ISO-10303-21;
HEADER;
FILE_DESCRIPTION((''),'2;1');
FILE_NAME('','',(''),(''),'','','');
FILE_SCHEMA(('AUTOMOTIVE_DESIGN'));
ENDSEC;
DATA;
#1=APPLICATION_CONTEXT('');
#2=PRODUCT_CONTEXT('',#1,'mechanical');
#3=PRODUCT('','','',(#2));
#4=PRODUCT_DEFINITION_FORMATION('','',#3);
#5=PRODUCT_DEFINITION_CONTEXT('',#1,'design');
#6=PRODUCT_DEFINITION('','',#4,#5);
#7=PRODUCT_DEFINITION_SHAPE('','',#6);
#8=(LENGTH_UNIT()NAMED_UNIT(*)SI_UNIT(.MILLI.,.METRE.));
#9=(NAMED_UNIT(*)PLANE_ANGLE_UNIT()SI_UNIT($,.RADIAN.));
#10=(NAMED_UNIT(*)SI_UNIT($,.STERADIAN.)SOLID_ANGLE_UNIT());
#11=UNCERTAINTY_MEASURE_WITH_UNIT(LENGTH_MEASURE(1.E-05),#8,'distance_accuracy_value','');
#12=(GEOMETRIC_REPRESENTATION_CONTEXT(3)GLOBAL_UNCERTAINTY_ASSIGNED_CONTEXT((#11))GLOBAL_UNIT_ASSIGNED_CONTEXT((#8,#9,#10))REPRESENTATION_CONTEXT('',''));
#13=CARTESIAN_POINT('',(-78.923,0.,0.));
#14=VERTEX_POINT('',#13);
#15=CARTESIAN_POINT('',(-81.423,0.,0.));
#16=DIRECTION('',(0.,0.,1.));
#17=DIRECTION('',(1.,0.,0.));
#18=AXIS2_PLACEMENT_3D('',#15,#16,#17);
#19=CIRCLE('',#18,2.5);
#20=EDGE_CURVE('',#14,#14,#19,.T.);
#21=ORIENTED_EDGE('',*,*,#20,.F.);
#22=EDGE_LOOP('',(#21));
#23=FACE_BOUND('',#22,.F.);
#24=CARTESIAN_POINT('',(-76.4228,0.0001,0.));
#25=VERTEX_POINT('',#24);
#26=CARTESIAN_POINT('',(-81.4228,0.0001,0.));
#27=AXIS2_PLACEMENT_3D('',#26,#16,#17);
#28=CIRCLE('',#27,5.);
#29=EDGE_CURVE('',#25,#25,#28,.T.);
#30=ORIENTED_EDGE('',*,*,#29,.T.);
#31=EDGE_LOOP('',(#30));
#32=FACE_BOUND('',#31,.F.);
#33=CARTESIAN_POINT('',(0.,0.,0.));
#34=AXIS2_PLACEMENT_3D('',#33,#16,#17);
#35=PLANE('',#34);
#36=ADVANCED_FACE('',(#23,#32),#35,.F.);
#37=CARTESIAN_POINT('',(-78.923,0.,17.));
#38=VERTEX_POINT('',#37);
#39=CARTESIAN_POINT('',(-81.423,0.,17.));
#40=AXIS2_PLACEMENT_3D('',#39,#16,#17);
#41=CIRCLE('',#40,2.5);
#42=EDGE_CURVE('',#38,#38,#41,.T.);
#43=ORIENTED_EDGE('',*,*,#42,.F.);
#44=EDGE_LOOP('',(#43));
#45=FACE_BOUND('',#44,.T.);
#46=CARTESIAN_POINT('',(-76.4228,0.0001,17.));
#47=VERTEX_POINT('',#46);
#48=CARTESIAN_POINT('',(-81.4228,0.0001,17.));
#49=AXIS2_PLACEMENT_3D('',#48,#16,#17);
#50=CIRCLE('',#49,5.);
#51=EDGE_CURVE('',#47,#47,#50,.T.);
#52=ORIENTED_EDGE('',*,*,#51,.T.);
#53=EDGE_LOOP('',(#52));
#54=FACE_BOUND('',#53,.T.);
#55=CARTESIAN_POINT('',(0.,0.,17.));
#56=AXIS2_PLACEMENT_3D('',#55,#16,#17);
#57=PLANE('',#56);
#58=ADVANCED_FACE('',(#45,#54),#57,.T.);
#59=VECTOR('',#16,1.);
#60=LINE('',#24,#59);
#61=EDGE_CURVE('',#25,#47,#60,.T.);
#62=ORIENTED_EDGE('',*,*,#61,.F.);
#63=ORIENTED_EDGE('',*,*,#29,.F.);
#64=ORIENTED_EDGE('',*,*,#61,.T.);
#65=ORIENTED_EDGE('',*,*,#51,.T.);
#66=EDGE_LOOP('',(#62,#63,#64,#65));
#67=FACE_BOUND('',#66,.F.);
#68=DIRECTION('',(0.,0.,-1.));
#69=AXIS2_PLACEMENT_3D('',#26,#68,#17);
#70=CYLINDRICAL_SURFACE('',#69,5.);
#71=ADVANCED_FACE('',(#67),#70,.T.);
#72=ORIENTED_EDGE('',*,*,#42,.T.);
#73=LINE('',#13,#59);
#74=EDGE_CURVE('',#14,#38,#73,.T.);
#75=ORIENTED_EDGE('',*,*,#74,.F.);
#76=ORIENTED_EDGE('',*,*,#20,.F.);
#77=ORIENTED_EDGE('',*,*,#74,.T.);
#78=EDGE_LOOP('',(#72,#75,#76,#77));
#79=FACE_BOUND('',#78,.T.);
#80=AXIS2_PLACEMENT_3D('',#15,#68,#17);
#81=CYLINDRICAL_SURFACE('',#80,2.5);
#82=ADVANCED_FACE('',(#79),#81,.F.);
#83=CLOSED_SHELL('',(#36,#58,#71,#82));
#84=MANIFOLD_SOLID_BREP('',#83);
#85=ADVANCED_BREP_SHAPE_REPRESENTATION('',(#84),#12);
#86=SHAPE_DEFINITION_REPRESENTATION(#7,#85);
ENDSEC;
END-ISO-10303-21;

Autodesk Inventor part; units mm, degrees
ref_plane "YZ Plane" through (0, 0, 0) normal (1, 0, 0) x (0, 1, 0)
ref_plane "XZ Plane" through (0, 0, 0) normal (0, 1, 0) x (-1, 0, 0)
ref_plane "XY Plane" through (0, 0, 0) normal (0, 0, 1) x (1, 0, 0)
sketch "Sketch1" plane through (0, 0, 0) normal (0, 0, 1) x (1, 0, 0)
  circle A0 centre (-72.399, 16.2222) radius 1.5 projected
  circle A1 centre (-71.8393, -17.5564) radius 1.5 projected
  line L0 (-78.8983, 31.2807) -> (-56.1772, 18.6414) projected
  line L1 (-56.1772, 18.6414) -> (-65.2012, 2.4193) projected
  line L2 (-65.2012, 2.4193) -> (-65.2248, -2.3776) projected
  line L3 (-65.2248, -2.3776) -> (-55.5023, -19.8554) projected
  line L4 (-55.5023, -19.8554) -> (-58.1004, -21.3554) projected
  line L5 (-58.1004, -21.3554) -> (-75.5782, -31.0779) projected
  line L6 (-75.5782, -31.0779) -> (-78.1762, -32.5779) projected
  line L7 (-78.1762, -32.5779) -> (-95.6183, -1.7293) projected
  line L8 (-95.6183, -1.7293) -> (-95.6284, 1.2056) projected
  line L9 (-95.6284, 1.2056) -> (-78.8983, 31.2807) projected
  circle A2 centre (-81.423, 0) radius 2.5 projected
  circle A3 centre (-81.4228, 0.0001) radius 5 projected
  point P0 (0, 0)
extrude "Extrusion1" add sketch "Sketch1" along normal blind 17 contours A3
properties part number "multif_lvl_spacer" material "PET Plastic"
